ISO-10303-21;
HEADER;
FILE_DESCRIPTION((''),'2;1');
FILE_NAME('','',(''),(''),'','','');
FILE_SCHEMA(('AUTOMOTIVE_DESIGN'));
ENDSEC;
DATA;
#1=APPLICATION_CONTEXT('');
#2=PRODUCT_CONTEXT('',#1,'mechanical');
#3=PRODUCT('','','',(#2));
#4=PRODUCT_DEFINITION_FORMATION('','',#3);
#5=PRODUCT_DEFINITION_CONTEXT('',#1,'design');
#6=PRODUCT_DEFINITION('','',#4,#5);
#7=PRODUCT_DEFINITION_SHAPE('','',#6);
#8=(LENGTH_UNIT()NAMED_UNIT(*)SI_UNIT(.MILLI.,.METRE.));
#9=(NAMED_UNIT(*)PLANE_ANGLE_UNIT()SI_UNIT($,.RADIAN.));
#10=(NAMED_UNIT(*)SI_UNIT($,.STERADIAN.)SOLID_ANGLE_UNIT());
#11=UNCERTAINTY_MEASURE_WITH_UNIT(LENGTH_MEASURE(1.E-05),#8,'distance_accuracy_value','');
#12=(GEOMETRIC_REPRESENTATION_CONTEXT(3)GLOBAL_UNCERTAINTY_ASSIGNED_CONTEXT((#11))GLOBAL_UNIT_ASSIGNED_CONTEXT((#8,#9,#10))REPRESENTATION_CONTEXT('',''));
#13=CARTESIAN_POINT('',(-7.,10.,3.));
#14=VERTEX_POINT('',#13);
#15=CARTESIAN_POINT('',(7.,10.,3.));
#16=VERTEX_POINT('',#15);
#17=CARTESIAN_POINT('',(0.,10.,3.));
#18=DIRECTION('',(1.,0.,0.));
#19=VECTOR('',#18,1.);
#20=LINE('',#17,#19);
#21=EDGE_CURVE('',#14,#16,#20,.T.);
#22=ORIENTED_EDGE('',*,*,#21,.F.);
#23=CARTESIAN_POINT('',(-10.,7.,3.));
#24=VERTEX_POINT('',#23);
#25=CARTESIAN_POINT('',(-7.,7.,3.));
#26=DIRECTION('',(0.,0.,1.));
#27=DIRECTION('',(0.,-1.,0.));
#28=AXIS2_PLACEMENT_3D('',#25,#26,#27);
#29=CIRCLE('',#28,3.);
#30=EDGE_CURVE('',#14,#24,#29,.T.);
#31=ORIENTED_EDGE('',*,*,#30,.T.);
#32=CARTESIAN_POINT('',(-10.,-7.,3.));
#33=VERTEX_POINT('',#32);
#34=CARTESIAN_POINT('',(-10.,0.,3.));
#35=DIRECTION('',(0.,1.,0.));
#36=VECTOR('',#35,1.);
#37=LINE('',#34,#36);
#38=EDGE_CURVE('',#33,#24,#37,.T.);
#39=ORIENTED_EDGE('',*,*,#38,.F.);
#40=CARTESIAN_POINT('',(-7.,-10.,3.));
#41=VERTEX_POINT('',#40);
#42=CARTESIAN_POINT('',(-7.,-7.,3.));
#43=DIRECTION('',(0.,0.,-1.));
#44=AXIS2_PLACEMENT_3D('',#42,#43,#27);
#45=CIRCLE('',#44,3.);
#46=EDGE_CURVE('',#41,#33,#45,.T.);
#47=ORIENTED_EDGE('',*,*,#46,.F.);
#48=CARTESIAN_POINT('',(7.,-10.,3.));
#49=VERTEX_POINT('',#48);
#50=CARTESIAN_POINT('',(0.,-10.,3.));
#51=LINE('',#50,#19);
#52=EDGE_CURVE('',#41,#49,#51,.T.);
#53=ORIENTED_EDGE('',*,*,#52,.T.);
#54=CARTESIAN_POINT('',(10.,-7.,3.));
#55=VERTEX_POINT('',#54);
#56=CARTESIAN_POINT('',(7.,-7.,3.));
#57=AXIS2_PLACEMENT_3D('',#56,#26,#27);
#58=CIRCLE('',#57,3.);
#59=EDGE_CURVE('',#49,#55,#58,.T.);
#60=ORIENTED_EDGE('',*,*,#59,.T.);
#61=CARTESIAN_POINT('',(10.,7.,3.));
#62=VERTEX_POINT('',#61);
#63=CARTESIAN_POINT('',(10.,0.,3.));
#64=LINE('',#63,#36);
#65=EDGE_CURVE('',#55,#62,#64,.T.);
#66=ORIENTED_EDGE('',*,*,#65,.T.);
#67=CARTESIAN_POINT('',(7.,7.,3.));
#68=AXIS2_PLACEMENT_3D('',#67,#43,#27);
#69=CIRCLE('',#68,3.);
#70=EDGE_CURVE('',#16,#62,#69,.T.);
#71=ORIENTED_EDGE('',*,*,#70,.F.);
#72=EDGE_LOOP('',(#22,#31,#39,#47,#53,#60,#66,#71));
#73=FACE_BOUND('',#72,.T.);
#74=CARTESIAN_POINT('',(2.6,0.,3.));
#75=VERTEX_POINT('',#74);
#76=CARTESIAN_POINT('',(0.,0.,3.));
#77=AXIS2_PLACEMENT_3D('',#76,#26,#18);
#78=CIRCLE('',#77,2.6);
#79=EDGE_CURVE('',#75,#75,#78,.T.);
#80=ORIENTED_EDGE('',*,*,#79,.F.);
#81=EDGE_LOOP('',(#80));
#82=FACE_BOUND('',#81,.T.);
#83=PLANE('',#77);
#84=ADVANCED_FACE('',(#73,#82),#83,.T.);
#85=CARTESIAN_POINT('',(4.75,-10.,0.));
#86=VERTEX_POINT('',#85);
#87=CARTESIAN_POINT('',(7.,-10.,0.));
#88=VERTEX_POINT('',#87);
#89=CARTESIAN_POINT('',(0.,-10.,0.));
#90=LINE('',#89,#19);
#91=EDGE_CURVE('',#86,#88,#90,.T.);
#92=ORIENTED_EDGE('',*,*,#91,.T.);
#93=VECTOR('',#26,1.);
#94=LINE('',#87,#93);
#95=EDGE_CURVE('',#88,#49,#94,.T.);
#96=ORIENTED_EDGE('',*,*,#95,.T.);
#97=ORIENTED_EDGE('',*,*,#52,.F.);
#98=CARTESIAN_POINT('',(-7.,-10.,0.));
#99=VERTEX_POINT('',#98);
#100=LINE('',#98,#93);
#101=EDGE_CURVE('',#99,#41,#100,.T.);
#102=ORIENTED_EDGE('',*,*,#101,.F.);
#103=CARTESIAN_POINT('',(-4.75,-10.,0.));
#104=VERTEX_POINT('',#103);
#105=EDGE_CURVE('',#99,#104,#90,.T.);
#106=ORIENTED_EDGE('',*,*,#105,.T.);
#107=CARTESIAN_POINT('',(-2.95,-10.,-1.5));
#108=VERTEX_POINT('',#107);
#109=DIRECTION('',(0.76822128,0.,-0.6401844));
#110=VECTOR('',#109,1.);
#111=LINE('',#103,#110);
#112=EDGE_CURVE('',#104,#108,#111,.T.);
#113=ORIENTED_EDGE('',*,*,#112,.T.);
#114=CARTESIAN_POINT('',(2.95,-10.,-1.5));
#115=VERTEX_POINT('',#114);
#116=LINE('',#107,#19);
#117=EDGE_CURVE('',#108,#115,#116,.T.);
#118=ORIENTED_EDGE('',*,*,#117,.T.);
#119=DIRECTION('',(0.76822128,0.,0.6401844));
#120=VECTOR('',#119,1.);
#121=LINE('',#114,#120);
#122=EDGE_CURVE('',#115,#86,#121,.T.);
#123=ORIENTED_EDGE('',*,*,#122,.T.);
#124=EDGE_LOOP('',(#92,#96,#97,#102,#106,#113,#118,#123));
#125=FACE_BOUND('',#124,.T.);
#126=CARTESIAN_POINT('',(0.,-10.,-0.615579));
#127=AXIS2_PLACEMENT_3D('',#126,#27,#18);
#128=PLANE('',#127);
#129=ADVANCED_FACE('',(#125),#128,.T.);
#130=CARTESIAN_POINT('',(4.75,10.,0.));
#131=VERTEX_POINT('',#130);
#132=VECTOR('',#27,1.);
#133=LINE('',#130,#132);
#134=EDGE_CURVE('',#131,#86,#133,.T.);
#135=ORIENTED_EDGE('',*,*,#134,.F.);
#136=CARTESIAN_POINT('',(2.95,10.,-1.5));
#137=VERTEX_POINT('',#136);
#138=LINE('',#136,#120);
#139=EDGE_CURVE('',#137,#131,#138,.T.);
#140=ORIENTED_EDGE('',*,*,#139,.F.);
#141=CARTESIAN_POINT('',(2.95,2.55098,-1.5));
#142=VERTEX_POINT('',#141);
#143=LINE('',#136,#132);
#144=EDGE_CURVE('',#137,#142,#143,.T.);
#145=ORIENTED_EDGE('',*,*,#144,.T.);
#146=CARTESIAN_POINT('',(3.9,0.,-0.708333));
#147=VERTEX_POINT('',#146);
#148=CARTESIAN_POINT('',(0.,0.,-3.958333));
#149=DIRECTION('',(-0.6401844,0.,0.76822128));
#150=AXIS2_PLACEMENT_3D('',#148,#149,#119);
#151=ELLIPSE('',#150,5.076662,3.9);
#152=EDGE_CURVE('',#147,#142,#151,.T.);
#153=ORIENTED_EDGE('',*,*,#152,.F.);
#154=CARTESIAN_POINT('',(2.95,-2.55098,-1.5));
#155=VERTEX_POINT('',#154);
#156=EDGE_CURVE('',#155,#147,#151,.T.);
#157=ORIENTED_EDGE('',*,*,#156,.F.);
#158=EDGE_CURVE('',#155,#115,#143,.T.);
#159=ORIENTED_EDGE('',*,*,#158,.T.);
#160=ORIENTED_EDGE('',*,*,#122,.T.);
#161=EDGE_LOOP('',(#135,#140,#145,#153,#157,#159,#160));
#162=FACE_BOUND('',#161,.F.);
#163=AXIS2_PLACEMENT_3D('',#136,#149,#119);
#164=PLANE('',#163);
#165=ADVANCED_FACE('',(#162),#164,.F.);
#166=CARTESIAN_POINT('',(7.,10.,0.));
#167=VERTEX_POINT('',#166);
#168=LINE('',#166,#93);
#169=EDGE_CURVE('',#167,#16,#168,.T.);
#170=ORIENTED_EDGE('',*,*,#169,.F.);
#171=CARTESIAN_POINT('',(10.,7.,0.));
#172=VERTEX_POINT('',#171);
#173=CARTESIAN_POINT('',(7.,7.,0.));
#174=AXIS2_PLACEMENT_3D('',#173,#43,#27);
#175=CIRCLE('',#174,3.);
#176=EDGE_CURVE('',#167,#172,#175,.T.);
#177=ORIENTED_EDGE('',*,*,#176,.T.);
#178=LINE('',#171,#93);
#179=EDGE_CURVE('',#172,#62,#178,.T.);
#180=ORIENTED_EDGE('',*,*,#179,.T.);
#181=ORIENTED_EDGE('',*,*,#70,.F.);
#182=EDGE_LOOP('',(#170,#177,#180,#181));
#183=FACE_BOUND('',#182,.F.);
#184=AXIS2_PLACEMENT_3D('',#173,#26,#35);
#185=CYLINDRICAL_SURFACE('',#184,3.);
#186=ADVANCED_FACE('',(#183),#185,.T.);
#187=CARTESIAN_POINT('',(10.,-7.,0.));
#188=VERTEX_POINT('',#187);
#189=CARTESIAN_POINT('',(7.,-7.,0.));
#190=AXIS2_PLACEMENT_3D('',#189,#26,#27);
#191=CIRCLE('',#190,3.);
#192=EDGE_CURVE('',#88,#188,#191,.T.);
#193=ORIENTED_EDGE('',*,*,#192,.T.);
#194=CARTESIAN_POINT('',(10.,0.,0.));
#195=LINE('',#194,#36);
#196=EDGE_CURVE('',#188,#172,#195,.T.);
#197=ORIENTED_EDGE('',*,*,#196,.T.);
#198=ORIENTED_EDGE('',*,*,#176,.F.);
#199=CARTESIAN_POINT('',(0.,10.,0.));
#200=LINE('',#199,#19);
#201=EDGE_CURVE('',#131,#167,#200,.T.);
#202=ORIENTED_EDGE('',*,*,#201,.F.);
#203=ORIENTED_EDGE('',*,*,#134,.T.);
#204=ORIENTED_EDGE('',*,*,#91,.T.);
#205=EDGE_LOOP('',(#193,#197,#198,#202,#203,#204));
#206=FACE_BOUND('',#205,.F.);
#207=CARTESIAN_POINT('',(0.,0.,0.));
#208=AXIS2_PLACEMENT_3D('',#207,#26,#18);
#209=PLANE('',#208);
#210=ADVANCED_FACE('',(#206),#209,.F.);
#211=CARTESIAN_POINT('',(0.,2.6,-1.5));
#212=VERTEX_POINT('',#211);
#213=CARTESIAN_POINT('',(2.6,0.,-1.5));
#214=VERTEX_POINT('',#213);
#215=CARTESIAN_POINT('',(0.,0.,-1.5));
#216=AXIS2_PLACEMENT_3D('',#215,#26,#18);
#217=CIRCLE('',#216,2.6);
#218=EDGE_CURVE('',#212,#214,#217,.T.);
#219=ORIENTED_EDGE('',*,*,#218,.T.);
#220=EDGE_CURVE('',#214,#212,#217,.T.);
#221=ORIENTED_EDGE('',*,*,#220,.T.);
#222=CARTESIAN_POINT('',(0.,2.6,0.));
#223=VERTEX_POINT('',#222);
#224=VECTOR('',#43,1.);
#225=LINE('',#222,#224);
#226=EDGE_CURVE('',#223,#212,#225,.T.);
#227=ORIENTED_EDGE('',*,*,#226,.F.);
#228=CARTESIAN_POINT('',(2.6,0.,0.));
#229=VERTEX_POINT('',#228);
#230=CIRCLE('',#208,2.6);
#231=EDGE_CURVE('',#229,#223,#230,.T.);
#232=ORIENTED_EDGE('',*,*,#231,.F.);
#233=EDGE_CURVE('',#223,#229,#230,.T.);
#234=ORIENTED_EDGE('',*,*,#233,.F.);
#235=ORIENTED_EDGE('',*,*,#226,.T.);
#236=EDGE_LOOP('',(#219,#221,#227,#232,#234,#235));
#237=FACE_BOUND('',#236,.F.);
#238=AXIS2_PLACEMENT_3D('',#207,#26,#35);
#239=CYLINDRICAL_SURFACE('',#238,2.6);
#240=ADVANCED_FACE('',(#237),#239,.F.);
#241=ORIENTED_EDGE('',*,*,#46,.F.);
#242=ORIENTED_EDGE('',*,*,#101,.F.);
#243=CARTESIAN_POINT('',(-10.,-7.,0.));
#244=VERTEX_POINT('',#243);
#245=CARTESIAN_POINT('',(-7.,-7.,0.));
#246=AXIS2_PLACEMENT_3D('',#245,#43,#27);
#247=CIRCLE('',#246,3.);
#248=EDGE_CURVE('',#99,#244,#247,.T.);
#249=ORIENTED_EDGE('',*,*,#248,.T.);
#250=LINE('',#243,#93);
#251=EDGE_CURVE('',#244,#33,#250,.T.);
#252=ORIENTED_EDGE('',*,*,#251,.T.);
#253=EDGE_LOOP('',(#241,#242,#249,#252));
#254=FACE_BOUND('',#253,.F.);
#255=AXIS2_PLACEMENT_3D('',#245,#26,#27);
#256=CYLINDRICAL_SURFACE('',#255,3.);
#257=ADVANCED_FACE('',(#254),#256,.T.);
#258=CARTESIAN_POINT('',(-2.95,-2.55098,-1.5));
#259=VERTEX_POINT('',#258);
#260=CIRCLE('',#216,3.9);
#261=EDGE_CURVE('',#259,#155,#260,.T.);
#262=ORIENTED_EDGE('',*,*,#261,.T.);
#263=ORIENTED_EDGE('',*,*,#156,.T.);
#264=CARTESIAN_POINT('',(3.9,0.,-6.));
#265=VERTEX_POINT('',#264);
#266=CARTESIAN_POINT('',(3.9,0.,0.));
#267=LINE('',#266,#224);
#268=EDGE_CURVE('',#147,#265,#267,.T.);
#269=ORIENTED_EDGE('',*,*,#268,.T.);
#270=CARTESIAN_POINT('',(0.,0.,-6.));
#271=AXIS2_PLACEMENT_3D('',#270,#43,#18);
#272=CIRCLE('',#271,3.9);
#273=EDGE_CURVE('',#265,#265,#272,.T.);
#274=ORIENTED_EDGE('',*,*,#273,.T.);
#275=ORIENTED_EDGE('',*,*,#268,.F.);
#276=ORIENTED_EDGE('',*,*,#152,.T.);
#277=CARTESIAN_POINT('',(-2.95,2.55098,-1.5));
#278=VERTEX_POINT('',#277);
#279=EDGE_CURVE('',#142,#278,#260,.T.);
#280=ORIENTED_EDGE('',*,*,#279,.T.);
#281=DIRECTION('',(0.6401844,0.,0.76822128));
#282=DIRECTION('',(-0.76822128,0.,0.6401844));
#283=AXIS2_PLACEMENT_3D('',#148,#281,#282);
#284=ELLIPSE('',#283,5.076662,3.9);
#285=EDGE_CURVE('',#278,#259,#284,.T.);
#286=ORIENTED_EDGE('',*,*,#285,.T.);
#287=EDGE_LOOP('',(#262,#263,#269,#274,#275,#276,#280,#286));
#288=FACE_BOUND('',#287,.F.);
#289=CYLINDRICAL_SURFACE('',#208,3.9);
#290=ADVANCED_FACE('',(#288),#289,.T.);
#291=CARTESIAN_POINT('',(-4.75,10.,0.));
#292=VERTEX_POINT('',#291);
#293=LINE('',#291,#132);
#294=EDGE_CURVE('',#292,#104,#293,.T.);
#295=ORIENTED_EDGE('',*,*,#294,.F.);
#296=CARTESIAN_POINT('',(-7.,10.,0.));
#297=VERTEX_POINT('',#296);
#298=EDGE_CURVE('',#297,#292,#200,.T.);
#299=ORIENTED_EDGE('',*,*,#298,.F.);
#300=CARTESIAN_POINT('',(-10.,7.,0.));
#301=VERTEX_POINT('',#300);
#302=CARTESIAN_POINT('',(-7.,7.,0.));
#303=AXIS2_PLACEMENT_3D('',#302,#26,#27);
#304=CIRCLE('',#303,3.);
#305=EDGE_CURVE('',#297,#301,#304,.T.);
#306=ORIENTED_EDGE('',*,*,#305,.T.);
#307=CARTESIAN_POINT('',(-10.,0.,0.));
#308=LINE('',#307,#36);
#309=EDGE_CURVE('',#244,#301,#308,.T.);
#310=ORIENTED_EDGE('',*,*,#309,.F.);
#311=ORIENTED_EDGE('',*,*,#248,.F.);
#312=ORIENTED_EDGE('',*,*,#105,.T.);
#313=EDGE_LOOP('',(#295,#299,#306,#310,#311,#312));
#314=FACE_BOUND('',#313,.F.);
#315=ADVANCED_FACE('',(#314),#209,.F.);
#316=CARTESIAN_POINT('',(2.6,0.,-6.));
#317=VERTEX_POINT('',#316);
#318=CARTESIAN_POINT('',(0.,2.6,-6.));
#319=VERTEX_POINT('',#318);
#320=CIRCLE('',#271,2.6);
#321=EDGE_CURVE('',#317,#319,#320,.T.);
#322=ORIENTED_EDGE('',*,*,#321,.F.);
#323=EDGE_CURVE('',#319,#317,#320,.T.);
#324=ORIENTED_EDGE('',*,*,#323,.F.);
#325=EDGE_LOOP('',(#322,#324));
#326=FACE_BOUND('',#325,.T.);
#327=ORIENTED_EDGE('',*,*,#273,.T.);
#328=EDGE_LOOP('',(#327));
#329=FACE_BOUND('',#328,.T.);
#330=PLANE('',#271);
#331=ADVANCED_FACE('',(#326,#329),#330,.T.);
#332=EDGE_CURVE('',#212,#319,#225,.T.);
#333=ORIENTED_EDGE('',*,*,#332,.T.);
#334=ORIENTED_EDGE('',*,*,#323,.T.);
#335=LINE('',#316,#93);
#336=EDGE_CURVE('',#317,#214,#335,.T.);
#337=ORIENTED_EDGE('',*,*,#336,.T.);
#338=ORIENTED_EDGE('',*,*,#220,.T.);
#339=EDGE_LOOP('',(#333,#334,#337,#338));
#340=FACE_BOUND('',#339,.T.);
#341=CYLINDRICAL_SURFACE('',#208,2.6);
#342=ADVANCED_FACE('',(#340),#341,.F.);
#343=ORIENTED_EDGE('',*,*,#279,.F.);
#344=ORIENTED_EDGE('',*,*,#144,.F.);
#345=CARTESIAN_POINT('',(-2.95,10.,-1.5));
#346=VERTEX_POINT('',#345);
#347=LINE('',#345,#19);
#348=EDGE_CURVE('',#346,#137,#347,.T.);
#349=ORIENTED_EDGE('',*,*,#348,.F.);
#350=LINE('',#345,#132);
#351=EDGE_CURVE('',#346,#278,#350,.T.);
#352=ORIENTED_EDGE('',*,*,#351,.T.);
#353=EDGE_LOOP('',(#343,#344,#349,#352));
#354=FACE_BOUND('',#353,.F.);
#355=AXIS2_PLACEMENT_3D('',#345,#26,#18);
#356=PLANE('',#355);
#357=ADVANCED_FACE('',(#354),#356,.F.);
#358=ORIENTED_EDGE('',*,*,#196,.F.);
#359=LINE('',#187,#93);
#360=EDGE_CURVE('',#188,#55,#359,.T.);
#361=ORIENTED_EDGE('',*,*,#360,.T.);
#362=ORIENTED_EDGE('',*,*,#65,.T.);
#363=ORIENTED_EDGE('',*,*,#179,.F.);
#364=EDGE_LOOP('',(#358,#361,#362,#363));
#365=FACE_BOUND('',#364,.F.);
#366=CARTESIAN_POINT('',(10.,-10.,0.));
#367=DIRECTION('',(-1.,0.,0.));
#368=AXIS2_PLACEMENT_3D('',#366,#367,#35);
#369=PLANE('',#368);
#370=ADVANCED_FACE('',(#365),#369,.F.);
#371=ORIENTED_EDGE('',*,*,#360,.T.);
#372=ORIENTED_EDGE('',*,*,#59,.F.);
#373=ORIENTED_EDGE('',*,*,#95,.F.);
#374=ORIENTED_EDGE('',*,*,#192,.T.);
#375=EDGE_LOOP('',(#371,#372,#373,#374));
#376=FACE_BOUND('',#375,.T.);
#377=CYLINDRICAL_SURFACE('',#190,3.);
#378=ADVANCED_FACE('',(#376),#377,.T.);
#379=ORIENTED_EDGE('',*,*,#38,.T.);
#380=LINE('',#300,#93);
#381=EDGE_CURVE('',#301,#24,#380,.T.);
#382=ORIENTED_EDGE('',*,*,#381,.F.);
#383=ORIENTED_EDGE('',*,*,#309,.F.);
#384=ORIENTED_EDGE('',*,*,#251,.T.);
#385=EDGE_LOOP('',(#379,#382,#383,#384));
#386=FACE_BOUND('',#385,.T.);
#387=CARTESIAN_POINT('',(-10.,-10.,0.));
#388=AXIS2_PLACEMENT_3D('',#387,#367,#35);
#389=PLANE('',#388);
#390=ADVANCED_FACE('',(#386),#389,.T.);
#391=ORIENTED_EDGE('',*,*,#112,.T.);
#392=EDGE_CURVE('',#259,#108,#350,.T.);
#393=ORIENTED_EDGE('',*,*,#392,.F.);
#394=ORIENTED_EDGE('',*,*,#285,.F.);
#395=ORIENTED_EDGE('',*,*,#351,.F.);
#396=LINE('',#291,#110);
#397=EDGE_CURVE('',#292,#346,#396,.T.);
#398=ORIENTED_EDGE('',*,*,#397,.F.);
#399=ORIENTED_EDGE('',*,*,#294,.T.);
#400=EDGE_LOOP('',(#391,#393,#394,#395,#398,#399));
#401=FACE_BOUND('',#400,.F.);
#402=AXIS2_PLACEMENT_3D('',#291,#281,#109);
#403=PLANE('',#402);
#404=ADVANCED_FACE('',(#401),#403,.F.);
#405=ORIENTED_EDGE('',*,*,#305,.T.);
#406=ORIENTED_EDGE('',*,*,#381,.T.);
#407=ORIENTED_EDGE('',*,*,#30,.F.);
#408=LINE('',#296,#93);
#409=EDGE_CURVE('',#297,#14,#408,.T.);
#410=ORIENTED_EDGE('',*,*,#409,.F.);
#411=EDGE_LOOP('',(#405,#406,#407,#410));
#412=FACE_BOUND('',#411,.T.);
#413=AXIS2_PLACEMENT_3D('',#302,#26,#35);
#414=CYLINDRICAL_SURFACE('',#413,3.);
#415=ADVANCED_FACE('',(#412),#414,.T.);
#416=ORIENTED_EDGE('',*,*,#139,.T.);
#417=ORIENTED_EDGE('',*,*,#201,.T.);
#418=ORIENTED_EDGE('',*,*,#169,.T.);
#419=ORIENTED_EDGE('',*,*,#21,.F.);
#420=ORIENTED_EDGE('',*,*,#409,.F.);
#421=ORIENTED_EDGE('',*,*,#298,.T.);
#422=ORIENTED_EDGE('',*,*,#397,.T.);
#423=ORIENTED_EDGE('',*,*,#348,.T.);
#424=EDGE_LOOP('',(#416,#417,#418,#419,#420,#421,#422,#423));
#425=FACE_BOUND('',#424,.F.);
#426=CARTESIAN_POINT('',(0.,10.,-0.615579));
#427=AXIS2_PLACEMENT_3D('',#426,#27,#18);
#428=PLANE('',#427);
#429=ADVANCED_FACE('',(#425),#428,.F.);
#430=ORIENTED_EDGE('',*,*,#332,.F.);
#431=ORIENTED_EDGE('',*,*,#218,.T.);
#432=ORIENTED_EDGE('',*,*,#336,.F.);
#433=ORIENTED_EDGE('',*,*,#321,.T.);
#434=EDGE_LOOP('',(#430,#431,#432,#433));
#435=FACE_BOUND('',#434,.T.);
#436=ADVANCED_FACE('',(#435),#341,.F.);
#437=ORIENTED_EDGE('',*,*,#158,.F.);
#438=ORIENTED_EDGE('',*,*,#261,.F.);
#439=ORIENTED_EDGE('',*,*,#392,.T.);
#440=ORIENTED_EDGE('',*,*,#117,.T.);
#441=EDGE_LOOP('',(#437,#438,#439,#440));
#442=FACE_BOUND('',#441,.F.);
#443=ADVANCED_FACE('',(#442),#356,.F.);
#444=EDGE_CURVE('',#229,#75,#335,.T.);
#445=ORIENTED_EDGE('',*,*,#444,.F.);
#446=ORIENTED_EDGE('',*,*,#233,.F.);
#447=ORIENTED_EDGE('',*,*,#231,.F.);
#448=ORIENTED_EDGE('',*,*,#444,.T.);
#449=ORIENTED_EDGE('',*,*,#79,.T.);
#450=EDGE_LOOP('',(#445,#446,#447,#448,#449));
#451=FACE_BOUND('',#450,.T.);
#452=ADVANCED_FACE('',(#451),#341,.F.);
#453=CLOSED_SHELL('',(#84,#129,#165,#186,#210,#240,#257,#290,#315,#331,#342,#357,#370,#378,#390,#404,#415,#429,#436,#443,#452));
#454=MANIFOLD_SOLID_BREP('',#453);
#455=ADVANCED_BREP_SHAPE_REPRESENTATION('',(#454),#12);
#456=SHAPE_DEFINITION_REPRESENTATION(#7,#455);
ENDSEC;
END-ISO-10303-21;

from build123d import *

# Parameters (mm, degrees)
SKETCH_W        = 20
SKETCH_H        = 20
SKETCH_R        = 2.6
PAD_DEPTH       = 3
SKETCH001_R     = 3.9
SKETCH001_R_2   = 2.6
PAD001_DEPTH    = 6
PAD002_DEPTH    = 20
PAD002_FACE16_R = 2.6
POCKET_DEPTH    = 6.001
FILLET_R        = 3


with BuildPart() as part:
    # Sketch → Pad (new body)
    with BuildSketch(Plane.XY):
        Rectangle(SKETCH_W, SKETCH_H)
        Circle(SKETCH_R, mode=Mode.SUBTRACT)
    extrude(amount=PAD_DEPTH)

    # Sketch001 (on Face6 of Pad) → Pad001 (join)
    with BuildSketch(Plane(origin=(0, 0, 0), x_dir=(1, 0, 0), z_dir=(0, 0, -1))):
        Circle(SKETCH001_R)
        Circle(SKETCH001_R_2, mode=Mode.SUBTRACT)
    extrude(amount=PAD001_DEPTH)

    # Sketch002 (on Face1 of Pad001) → Pad002 (join)
    with BuildSketch(Plane(origin=(0, 10, 0), x_dir=(-1, 0, 0), z_dir=(0, 1, 0))):
        Polygon((-4.75, 0), (4.75, 0), (2.95, -1.5), (-2.95, -1.5), align=None)
    extrude(amount=-PAD002_DEPTH)

    # Pad002 Face16 → Pocket (cut, through all)
    with BuildSketch(Plane(origin=(0, 0, 0), x_dir=(0, 1, 0), z_dir=(0, 0, 1))):
        Circle(PAD002_FACE16_R)
    extrude(amount=-POCKET_DEPTH, mode=Mode.SUBTRACT)

    # Fillet
    fillet_edges = [part.edges().sort_by_distance(p)[0] for p in [
        (10, -10, 1.5),
        (-10, -10, 1.5),
        (10, 10, 1.5),
        (-10, 10, 1.5),
    ]]
    fillet(fillet_edges, radius=FILLET_R)


solid = part.part
